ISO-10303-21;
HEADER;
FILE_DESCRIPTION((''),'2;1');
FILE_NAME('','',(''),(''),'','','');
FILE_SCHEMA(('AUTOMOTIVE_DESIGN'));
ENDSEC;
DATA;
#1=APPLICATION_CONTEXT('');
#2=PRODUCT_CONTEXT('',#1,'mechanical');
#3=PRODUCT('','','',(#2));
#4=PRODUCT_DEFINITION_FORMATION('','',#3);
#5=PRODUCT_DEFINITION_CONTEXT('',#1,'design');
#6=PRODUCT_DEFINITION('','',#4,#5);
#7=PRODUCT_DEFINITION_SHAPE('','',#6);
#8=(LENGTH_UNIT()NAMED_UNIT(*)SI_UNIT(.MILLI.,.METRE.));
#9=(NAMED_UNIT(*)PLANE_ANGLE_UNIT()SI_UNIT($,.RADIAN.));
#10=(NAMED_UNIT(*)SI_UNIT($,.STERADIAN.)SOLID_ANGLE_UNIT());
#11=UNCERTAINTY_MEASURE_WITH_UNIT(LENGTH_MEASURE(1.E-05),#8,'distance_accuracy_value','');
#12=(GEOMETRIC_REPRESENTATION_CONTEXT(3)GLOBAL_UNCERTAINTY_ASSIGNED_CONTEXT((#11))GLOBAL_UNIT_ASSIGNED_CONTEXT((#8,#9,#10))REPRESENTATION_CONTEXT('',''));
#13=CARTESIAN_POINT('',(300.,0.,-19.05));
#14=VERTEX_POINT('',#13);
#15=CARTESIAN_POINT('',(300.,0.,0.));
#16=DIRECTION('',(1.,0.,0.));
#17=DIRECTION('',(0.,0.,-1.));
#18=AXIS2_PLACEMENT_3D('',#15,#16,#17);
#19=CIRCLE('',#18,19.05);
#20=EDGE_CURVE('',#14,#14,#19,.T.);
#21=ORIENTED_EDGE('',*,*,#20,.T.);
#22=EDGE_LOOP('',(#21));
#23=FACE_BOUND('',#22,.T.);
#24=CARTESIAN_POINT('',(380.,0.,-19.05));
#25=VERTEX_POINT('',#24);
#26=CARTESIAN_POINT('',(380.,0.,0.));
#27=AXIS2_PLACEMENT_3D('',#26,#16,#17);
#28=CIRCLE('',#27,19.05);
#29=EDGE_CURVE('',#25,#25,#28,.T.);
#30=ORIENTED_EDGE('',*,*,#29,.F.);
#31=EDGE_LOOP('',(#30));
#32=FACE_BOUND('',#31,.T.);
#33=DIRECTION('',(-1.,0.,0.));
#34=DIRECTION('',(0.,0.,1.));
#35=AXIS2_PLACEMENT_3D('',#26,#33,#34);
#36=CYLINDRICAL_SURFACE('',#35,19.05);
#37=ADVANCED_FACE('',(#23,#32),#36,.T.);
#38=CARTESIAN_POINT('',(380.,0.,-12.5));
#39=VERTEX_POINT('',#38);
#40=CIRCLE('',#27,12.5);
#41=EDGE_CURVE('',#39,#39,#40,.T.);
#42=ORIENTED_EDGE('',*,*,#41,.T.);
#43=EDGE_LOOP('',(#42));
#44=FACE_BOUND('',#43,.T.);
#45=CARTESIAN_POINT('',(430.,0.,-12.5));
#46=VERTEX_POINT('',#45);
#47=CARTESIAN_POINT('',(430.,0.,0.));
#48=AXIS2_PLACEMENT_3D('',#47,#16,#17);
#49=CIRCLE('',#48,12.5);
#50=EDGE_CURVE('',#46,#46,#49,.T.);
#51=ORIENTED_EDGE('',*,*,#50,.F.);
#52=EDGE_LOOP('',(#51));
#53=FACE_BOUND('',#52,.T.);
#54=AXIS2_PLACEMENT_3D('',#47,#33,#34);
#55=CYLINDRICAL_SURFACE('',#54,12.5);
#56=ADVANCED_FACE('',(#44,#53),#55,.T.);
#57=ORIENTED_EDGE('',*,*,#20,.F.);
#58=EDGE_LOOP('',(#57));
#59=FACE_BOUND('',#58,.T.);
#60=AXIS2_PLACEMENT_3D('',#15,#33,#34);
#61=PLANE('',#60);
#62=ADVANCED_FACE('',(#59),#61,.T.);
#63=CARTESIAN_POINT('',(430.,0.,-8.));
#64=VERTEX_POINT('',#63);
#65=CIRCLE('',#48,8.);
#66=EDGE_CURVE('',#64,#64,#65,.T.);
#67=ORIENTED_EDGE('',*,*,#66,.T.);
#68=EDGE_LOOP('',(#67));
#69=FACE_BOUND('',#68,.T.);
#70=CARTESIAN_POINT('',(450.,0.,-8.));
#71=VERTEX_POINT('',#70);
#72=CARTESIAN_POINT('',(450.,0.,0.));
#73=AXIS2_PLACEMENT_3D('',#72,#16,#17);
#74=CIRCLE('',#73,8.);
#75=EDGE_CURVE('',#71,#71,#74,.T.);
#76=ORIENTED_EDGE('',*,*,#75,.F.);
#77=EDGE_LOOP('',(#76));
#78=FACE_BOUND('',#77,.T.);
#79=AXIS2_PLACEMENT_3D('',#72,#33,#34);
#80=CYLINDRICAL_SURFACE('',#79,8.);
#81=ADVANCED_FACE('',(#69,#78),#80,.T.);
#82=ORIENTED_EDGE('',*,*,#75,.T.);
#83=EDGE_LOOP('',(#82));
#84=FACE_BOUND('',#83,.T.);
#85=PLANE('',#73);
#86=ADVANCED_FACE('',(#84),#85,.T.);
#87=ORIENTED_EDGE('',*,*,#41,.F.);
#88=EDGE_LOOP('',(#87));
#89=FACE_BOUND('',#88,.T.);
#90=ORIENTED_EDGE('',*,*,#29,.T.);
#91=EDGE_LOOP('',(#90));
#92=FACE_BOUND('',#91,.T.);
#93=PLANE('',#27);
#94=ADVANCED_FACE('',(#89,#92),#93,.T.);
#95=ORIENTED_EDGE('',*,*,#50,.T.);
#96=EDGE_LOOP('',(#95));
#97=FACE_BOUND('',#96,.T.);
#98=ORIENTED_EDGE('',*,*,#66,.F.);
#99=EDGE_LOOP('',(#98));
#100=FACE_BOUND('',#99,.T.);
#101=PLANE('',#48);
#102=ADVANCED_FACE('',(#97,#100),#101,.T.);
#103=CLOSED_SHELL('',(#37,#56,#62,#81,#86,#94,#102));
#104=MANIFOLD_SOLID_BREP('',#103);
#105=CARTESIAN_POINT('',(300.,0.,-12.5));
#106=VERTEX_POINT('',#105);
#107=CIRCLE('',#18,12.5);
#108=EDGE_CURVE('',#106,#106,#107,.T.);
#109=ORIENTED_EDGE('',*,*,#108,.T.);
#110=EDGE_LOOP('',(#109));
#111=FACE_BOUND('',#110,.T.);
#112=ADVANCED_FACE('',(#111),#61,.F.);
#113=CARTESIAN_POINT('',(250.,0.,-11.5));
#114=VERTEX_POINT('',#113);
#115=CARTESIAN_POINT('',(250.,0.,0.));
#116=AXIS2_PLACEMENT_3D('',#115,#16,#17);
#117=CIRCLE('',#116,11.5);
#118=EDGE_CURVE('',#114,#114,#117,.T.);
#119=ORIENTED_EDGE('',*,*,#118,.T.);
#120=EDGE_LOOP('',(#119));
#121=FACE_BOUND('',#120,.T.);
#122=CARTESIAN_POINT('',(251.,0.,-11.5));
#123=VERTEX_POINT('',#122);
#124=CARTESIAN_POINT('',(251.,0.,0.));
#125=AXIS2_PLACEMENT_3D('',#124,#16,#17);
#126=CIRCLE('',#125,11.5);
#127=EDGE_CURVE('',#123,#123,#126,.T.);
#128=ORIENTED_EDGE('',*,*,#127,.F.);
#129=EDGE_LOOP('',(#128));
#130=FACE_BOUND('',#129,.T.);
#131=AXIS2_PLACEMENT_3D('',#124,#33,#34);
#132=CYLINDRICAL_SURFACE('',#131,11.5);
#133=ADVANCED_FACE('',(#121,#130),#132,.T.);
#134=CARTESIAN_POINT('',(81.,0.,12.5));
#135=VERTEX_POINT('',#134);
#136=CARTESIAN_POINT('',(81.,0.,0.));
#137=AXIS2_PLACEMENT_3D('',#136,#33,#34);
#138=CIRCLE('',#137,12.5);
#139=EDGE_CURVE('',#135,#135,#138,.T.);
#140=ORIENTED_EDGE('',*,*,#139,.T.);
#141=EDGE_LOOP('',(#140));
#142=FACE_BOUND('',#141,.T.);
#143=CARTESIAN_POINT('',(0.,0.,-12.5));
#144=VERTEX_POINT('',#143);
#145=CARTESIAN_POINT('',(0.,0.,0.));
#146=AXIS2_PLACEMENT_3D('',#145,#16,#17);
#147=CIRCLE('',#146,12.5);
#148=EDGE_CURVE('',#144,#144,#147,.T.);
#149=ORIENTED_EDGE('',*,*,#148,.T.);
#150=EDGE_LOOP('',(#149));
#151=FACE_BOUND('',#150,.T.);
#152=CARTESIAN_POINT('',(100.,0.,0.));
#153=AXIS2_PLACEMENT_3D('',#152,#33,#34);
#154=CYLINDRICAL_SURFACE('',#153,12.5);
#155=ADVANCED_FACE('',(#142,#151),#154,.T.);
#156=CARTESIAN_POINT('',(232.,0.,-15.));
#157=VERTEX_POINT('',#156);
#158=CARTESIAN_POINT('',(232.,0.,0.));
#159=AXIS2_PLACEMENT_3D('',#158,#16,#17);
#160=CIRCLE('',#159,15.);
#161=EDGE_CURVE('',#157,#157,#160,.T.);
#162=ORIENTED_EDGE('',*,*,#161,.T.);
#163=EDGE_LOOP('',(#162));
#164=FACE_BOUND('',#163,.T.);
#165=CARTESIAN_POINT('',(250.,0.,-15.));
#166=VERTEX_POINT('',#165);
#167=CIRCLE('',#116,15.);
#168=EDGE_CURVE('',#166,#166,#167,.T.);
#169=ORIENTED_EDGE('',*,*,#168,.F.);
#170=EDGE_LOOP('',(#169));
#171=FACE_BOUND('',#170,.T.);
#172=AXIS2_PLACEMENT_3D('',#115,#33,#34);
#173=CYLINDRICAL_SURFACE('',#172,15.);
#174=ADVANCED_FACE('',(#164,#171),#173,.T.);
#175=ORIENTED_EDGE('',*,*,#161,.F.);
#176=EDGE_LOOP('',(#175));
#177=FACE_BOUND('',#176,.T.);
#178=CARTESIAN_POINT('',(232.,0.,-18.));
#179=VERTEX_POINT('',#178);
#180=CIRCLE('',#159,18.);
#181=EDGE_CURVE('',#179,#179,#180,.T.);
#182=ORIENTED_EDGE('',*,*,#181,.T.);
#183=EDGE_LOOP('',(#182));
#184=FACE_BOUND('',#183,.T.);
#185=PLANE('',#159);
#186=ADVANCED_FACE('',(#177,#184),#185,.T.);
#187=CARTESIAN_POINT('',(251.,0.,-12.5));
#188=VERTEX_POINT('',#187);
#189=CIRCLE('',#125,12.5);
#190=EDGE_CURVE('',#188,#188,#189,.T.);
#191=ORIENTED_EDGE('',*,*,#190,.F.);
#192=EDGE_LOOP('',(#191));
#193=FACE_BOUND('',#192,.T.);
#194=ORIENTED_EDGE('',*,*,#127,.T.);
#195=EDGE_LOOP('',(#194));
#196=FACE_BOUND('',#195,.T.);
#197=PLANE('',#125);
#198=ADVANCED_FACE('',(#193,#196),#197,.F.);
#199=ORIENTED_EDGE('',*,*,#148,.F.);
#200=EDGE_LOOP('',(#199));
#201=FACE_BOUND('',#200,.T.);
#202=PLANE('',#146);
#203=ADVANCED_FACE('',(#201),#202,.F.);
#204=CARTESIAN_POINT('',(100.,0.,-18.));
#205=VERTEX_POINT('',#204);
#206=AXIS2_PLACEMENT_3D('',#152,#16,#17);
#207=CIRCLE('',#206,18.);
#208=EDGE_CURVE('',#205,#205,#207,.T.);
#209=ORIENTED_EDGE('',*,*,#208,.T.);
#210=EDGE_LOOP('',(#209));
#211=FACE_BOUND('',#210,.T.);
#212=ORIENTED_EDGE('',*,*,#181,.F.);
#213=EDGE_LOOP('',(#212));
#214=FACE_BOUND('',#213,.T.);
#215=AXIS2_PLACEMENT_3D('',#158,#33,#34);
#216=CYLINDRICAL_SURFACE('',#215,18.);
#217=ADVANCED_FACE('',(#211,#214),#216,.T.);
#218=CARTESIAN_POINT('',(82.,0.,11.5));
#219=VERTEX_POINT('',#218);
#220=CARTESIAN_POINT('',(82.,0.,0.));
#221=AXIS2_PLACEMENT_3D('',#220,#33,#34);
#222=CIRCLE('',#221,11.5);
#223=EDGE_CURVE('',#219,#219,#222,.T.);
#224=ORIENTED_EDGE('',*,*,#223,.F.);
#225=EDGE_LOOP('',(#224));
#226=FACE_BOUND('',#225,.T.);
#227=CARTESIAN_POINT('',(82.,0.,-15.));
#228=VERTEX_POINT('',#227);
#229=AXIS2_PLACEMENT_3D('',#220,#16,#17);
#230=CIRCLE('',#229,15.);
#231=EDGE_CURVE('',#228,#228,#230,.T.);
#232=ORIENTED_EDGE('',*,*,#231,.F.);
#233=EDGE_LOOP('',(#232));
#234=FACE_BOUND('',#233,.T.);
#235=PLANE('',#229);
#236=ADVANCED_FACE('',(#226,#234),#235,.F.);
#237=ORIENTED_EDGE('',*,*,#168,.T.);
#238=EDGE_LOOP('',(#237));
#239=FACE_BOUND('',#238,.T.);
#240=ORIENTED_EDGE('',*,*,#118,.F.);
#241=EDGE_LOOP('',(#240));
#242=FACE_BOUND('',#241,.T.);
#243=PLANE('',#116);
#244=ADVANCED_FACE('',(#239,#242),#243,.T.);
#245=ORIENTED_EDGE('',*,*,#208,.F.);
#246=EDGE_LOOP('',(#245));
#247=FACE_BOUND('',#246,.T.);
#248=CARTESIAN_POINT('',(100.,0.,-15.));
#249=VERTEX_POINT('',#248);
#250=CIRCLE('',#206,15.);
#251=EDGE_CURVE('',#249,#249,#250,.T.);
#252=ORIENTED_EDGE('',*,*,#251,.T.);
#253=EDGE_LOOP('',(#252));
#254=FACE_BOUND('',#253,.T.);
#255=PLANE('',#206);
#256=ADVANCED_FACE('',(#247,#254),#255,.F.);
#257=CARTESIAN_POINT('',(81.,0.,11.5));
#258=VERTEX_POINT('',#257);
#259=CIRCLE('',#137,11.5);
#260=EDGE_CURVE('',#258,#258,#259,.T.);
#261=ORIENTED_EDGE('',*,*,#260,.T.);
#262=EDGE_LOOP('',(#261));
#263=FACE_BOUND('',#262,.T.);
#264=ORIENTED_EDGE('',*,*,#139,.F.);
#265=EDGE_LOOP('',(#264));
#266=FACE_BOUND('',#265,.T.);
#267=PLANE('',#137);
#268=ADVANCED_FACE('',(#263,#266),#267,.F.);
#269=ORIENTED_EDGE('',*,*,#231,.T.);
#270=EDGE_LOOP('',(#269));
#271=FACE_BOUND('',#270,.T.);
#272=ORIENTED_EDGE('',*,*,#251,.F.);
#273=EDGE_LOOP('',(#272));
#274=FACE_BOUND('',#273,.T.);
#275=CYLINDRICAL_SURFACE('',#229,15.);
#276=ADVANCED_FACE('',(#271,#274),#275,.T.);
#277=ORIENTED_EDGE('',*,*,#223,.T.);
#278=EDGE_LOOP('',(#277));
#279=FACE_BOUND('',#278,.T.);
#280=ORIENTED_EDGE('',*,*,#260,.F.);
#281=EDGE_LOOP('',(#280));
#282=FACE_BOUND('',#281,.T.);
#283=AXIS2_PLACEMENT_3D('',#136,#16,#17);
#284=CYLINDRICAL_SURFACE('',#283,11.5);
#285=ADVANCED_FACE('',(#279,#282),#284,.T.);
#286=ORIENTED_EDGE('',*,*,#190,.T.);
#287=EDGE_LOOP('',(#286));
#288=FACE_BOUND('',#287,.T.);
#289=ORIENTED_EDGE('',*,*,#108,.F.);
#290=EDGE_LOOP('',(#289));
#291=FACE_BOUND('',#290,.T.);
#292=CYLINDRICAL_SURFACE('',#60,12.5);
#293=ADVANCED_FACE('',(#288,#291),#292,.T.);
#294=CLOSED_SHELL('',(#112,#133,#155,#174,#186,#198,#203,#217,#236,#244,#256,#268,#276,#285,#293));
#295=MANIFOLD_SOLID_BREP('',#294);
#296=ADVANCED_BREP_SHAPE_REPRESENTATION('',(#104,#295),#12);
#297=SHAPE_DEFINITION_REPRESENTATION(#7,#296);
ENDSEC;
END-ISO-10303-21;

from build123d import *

# Parameters (mm, degrees)
SKETCH_1_R          = 12.5
EXTRUDE_1_DEPTH     = 100
SKETCH_2_R          = 15
EXTRUDE_2_DEPTH     = 18
SKETCH_3_R          = 18
EXTRUDE_3_DEPTH     = 132
EXTRUDE_START       = 18
SKETCH_4_R          = 15
EXTRUDE_4_DEPTH     = 18
SKETCH_5_R          = 12.5
EXTRUDE_5_DEPTH     = 50
SKETCH_6_R          = 19.05
EXTRUDE_6_DEPTH     = 80
SKETCH_7_R          = 12.5
EXTRUDE_7_DEPTH     = 50
SKETCH_9_R          = 8
EXTRUDE_8_DEPTH     = 20
CUT_EXTRUDE_START   = 1
SKETCH_11_R         = 12.5
SKETCH_11_R_2       = 11.5
CUT_EXTRUDE_2_DEPTH = 1
SKETCH_12_R         = 12.5
SKETCH_12_R_2       = 11.5
CUT_EXTRUDE_3_DEPTH = 1


with BuildPart() as part:
    # 草图1 → 凸台-拉伸1 (new body)
    with BuildSketch(Plane(origin=(0, 0, 0), x_dir=(0, 0, -1), z_dir=(1, 0, 0))):
        Circle(SKETCH_1_R)
    extrude(amount=EXTRUDE_1_DEPTH)

    # 草图2 → 凸台-拉伸2 (add)
    with BuildSketch(Plane(origin=(100, 0, 0), x_dir=(0, 0, -1), z_dir=(1, 0, 0))):
        Circle(SKETCH_2_R)
    extrude(amount=-EXTRUDE_2_DEPTH)

    # 草图3 → 凸台-拉伸3 (add)
    with BuildSketch(Plane(origin=(100, 0, 0), x_dir=(0, 0, -1), z_dir=(1, 0, 0))):
        Circle(SKETCH_3_R)
    extrude(amount=EXTRUDE_3_DEPTH)

    # 草图4 → 凸台-拉伸4 (add)
    with BuildSketch(Plane(origin=(232, 0, 0), x_dir=(0, 0, -1), z_dir=(1, 0, 0)).offset(EXTRUDE_START)):
        Circle(SKETCH_4_R)
    extrude(amount=-EXTRUDE_4_DEPTH)

    # 草图5 → 凸台-拉伸5 (add)
    with BuildSketch(Plane(origin=(250, 0, 0), x_dir=(0, 0, -1), z_dir=(1, 0, 0))):
        Circle(SKETCH_5_R)
    extrude(amount=EXTRUDE_5_DEPTH)

    # 草图6 → 凸台-拉伸6 (add)
    with BuildSketch(Plane(origin=(300, 0, 0), x_dir=(0, 0, -1), z_dir=(1, 0, 0))):
        Circle(SKETCH_6_R)
    extrude(amount=EXTRUDE_6_DEPTH)

    # 草图7 → 凸台-拉伸7 (add)
    with BuildSketch(Plane(origin=(380, 0, 0), x_dir=(0, 0, -1), z_dir=(1, 0, 0))):
        Circle(SKETCH_7_R)
    extrude(amount=EXTRUDE_7_DEPTH)

    # 草图9 → 凸台-拉伸8 (add)
    with BuildSketch(Plane(origin=(430, 0, 0), x_dir=(0, 0, -1), z_dir=(1, 0, 0))):
        Circle(SKETCH_9_R)
    extrude(amount=EXTRUDE_8_DEPTH)


with BuildPart() as body_2:
    # Split Bodies 1: the piece on the far side of the plane
    add(part.part)
    split(bisect_by=Plane(origin=(300, 0, 0), x_dir=(0, 0, -1), z_dir=(-1, 0, 0)), keep=Keep.BOTTOM)


with BuildPart() as part_1:
    add(part.part)

    # Split Bodies 1
    split(bisect_by=Plane(origin=(300, 0, 0), x_dir=(0, 0, -1), z_dir=(-1, 0, 0)), keep=Keep.TOP)

    # 草图11 → 切除-拉伸2 (cut)
    with BuildSketch(Plane.ZY.offset(-82).offset(CUT_EXTRUDE_START)):
        with Locations(Location((0, 0, 0), (0, 0, 180))):
            Circle(SKETCH_11_R)
        Circle(SKETCH_11_R_2, mode=Mode.SUBTRACT)
    extrude(amount=-CUT_EXTRUDE_2_DEPTH, mode=Mode.SUBTRACT)

    # 草图12 → 切除-拉伸3 (cut)
    with BuildSketch(Plane(origin=(250, 0, 0), x_dir=(0, 0, -1), z_dir=(1, 0, 0))):
        Circle(SKETCH_12_R)
        with Locations(Location((0, 0, 0), (0, 0, 180))):
            Circle(SKETCH_12_R_2, mode=Mode.SUBTRACT)
    extrude(amount=CUT_EXTRUDE_3_DEPTH, mode=Mode.SUBTRACT)


solid = Compound([body_2.part, part_1.part])
